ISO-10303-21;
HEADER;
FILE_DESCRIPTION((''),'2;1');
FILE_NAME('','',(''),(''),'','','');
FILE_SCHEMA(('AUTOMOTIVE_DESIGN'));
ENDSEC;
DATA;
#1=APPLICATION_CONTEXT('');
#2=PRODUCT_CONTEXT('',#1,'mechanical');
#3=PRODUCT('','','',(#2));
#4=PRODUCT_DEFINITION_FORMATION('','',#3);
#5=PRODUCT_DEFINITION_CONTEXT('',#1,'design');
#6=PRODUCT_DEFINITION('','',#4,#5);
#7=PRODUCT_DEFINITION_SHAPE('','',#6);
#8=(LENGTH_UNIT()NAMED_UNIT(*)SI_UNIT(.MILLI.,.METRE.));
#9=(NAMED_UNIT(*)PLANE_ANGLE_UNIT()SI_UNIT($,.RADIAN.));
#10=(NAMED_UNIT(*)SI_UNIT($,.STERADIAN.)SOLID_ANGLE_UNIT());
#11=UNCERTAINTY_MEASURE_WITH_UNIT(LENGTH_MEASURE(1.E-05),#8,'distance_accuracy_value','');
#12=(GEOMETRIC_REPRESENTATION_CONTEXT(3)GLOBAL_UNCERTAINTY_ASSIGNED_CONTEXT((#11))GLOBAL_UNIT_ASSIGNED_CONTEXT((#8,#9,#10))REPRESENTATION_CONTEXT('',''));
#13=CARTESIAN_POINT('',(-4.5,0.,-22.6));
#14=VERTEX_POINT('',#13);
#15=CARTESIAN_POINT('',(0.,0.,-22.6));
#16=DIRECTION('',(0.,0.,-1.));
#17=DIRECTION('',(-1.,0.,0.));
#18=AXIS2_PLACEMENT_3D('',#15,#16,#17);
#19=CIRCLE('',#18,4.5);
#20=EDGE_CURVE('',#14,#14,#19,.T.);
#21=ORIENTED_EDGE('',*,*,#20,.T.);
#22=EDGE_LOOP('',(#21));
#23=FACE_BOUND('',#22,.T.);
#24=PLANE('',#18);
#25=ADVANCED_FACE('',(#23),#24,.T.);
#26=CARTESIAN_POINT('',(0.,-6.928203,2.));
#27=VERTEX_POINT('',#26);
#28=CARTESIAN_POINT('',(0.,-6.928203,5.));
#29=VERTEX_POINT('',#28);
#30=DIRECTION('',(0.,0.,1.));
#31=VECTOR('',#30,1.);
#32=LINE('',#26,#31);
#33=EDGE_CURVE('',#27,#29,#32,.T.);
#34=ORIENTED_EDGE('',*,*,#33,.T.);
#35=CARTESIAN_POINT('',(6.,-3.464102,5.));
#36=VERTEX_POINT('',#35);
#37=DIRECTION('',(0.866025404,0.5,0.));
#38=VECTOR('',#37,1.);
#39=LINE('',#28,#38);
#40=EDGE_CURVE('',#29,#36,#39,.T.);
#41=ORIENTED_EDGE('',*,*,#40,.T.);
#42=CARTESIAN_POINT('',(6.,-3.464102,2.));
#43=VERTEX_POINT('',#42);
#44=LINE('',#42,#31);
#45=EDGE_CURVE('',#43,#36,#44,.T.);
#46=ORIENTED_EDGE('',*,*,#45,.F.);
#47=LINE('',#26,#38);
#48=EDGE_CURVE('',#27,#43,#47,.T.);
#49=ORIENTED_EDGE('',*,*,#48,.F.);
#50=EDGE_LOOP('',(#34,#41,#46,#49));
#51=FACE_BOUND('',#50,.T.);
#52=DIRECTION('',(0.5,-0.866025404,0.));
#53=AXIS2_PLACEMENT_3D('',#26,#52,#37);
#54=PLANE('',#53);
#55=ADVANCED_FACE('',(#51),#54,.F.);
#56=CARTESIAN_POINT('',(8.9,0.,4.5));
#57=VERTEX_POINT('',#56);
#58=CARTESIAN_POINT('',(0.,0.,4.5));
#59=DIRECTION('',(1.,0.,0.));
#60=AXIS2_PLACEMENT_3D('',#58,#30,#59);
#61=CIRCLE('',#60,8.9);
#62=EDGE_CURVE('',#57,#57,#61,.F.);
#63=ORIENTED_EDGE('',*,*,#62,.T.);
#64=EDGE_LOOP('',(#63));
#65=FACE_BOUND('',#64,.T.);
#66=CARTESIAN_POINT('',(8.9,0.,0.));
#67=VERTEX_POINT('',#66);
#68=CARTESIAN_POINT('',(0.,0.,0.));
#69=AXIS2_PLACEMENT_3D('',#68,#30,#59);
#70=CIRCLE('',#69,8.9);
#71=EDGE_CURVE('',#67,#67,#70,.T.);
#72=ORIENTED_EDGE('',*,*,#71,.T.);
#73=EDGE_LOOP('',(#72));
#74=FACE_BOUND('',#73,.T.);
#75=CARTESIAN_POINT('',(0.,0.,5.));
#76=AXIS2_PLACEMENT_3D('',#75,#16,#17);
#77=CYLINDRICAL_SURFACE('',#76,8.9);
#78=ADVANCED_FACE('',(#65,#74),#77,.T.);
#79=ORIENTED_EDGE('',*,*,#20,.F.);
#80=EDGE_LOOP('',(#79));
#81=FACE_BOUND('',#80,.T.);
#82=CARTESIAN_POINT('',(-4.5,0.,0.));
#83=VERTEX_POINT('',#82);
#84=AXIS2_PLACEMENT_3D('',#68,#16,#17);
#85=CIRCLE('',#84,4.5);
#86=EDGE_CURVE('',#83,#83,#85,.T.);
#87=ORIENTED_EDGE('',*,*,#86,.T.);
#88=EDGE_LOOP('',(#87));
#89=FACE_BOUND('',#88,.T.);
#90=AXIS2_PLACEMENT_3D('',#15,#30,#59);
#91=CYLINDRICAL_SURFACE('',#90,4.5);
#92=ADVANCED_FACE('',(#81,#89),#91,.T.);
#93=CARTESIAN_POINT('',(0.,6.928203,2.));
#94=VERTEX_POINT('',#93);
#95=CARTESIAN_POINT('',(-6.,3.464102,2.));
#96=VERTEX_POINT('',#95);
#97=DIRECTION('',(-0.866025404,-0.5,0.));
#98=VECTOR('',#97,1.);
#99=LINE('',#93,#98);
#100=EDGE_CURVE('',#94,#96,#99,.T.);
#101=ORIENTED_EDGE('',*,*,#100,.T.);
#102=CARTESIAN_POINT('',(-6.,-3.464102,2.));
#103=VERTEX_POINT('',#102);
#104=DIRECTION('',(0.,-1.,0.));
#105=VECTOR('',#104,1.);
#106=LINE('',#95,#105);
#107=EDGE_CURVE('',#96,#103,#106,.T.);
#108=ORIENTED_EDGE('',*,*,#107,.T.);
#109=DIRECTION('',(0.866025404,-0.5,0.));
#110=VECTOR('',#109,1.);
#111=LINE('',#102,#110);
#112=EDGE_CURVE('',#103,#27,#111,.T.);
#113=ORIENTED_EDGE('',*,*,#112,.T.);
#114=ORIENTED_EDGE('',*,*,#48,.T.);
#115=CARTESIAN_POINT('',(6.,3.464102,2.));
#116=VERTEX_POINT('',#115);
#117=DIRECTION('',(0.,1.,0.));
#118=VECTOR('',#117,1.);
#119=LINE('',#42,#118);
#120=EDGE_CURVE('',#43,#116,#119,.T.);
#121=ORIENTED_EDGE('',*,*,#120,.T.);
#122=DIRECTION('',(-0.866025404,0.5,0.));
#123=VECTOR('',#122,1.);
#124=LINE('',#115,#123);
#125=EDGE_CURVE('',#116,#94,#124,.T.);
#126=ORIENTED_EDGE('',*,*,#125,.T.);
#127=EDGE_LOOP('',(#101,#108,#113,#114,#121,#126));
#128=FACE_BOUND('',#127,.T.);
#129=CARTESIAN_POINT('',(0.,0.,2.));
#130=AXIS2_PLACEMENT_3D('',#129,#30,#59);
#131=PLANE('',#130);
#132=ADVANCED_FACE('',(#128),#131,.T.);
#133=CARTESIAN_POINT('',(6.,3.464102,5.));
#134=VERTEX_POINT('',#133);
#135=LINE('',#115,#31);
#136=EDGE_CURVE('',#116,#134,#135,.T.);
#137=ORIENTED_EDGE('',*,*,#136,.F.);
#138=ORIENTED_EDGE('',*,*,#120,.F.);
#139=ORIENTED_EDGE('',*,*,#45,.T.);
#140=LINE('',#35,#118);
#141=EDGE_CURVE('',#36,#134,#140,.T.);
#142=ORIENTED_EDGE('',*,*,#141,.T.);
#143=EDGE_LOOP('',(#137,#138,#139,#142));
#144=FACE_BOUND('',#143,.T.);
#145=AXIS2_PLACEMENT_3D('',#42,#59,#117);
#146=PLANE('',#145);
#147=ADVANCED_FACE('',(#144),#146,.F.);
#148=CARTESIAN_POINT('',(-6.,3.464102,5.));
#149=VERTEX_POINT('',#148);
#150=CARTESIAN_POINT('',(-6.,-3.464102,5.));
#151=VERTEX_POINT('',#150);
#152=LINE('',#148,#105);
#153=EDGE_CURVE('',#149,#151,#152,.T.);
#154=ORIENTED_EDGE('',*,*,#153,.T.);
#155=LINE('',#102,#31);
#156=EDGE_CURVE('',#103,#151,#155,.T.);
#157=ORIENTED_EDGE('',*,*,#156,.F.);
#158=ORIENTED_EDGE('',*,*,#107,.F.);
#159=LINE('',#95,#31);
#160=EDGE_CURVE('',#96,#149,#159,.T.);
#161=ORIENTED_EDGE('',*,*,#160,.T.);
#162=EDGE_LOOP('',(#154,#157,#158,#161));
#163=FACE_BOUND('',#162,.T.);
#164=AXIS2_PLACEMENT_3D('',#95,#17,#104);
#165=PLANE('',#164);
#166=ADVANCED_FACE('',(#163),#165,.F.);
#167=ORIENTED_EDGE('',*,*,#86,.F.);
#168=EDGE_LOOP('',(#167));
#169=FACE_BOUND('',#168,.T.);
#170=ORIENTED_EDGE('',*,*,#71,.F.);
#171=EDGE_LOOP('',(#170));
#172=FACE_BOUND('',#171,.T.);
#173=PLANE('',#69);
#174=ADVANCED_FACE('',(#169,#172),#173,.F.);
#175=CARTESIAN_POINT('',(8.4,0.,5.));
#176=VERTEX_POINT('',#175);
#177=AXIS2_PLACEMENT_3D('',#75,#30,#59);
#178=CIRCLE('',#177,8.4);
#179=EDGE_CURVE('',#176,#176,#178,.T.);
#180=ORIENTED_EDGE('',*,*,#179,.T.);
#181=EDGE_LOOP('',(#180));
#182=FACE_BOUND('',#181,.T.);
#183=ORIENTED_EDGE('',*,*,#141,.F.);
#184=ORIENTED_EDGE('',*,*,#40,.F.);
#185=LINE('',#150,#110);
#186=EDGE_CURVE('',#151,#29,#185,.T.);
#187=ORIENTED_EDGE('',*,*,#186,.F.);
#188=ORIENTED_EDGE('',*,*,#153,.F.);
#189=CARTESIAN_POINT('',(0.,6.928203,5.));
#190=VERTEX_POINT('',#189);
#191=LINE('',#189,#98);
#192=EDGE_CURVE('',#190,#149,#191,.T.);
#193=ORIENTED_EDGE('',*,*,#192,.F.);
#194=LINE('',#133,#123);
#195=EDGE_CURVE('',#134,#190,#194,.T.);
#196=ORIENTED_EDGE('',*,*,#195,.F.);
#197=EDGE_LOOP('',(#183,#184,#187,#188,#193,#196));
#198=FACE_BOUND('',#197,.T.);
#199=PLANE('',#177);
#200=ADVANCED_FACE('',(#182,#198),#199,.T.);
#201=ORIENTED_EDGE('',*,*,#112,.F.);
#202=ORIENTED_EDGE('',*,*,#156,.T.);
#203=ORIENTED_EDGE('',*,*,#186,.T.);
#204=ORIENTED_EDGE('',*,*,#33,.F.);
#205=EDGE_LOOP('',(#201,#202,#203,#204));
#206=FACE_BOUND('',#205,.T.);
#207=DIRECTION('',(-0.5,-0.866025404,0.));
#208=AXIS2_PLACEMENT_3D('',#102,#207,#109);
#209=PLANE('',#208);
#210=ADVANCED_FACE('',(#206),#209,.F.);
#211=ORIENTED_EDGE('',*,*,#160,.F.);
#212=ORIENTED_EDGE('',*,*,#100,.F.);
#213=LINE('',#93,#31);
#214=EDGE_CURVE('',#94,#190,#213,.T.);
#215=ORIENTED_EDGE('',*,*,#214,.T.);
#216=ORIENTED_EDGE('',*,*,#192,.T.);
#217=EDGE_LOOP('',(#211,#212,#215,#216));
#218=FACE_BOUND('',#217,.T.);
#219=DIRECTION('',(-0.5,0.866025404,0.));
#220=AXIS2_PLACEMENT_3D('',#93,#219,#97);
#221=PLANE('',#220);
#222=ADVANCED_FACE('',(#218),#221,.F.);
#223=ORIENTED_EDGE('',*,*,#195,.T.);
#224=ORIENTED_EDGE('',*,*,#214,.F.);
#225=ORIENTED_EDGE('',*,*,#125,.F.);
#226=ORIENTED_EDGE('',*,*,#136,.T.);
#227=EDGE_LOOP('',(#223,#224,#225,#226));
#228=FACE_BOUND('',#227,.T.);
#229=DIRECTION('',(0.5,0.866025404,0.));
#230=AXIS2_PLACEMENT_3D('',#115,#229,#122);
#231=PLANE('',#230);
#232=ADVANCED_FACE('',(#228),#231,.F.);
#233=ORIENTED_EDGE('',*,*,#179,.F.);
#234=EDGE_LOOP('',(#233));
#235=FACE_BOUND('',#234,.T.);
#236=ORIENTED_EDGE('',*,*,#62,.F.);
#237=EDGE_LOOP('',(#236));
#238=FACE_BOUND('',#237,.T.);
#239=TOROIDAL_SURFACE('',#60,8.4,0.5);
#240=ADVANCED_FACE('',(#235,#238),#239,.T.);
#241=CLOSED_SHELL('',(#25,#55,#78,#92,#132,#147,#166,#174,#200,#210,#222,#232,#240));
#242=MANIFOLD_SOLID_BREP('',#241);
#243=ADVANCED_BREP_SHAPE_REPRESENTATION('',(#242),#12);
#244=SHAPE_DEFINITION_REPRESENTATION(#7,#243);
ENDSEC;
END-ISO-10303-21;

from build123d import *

# Parameters (mm, degrees)
CROQUIS1_R              = 8.9
SALIENTE_EXTRUIR1_DEPTH = 5
CORTAR_EXTRUIR1_DEPTH   = 3
REDONDEO1_R             = 0.5
CROQUIS3_R              = 4.5
SALIENTE_EXTRUIR2_DEPTH = 22.6


with BuildPart() as part:
    # Croquis1 → Saliente-Extruir1 (new body)
    with BuildSketch(Plane.XY):
        Circle(CROQUIS1_R)
    extrude(amount=SALIENTE_EXTRUIR1_DEPTH)

    # Croquis2 → Cortar-Extruir1 (cut)
    with BuildSketch(Plane.XY.offset(5)):
        Polygon((-6, -3.464101615), (0, -6.92820323), (6, -3.464101615), (6, 3.464101615), (0, 6.92820323), (-6, 3.464101615), align=None)
    extrude(amount=-CORTAR_EXTRUIR1_DEPTH, mode=Mode.SUBTRACT)

    # Redondeo1
    redondeo1_edges = [part.edges().sort_by_distance(p)[0] for p in [
        (-8.9, 0, 5),
    ]]
    fillet(redondeo1_edges, radius=REDONDEO1_R)

    # Croquis3 → Saliente-Extruir2 (add)
    with BuildSketch(Plane(origin=(0, 0, 0), x_dir=(-1, 0, 0), z_dir=(0, 0, -1))):
        Circle(CROQUIS3_R)
    extrude(amount=SALIENTE_EXTRUIR2_DEPTH)


solid = part.part
